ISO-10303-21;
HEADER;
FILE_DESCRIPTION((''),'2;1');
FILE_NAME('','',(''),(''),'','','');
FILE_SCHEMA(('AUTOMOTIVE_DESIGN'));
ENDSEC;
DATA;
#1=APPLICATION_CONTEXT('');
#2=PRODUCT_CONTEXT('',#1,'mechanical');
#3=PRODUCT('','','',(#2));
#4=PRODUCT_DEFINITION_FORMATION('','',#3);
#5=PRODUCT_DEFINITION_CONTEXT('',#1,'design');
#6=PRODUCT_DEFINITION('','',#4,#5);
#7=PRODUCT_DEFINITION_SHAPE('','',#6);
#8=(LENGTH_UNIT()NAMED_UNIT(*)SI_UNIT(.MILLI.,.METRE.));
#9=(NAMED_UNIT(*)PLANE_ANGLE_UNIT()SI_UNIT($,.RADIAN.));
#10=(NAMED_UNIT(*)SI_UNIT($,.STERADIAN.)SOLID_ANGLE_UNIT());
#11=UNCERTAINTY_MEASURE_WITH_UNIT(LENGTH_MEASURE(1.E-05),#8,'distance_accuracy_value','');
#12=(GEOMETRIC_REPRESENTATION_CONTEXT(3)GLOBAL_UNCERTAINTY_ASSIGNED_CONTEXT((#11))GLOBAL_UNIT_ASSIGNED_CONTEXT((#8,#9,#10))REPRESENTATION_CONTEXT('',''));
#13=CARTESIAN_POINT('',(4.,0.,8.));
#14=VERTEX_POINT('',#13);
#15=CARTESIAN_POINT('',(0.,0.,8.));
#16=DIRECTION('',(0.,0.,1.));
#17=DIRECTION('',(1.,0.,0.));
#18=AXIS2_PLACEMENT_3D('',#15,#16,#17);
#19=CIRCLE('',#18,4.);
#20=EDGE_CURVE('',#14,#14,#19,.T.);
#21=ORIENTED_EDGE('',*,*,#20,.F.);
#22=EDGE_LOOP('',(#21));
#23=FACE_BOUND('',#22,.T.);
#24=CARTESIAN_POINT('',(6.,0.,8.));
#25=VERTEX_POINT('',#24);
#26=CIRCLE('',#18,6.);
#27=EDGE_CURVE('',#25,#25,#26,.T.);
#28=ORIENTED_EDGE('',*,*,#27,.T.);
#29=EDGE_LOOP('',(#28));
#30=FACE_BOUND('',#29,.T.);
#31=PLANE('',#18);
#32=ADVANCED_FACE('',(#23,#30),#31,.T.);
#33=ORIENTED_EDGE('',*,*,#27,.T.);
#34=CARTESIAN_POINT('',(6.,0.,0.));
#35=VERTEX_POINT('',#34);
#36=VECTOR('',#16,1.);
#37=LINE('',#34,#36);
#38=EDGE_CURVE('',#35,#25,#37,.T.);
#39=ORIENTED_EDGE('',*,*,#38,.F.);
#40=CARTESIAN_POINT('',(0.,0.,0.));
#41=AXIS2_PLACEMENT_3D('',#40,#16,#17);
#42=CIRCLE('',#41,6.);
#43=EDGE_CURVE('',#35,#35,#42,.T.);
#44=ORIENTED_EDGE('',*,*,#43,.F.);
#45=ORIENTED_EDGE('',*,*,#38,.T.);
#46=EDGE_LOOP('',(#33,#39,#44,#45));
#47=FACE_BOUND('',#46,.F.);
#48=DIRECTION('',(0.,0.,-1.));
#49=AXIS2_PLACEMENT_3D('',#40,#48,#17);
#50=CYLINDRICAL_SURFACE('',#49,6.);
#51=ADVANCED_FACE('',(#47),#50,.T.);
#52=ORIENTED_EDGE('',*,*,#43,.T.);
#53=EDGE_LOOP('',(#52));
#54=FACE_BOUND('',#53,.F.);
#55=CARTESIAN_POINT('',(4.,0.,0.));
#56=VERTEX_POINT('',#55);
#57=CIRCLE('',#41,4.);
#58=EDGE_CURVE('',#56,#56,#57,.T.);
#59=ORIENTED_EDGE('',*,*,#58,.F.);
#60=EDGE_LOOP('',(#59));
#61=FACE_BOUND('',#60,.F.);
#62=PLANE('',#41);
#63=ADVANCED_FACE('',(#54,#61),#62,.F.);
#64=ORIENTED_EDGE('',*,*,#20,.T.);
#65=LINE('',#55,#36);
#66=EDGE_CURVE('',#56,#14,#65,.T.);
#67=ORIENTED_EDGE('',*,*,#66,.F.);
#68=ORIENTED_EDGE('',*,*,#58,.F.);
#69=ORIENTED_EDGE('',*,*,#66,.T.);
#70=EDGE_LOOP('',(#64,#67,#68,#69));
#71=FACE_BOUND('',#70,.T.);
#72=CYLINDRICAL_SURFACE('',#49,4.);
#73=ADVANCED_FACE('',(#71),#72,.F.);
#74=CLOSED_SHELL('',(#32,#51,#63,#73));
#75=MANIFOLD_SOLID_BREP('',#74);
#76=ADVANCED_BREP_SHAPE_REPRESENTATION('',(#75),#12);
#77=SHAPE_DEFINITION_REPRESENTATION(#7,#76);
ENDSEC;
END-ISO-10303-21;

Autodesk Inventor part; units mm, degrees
ref_plane "YZ Plane" through (0, 0, 0) normal (1, 0, 0) x (0, 1, 0)
ref_plane "XZ Plane" through (0, 0, 0) normal (0, 1, 0) x (-1, 0, 0)
ref_plane "XY Plane" through (0, 0, 0) normal (0, 0, 1) x (1, 0, 0)
sketch "Skizze1" plane through (0, 0, 0) normal (0, 0, 1) x (1, 0, 0)
  circle A0 centre (0, 0) radius 4
  circle A1 centre (0, 0) radius 6
  dimension "d0" = 8
  dimension "d1" = 12
extrude "Extrusion1" add sketch "Skizze1" along normal blind 8
properties part number "SINTERBUCHSE NACH DIN1850 FORM J  35 60 326 08128"
